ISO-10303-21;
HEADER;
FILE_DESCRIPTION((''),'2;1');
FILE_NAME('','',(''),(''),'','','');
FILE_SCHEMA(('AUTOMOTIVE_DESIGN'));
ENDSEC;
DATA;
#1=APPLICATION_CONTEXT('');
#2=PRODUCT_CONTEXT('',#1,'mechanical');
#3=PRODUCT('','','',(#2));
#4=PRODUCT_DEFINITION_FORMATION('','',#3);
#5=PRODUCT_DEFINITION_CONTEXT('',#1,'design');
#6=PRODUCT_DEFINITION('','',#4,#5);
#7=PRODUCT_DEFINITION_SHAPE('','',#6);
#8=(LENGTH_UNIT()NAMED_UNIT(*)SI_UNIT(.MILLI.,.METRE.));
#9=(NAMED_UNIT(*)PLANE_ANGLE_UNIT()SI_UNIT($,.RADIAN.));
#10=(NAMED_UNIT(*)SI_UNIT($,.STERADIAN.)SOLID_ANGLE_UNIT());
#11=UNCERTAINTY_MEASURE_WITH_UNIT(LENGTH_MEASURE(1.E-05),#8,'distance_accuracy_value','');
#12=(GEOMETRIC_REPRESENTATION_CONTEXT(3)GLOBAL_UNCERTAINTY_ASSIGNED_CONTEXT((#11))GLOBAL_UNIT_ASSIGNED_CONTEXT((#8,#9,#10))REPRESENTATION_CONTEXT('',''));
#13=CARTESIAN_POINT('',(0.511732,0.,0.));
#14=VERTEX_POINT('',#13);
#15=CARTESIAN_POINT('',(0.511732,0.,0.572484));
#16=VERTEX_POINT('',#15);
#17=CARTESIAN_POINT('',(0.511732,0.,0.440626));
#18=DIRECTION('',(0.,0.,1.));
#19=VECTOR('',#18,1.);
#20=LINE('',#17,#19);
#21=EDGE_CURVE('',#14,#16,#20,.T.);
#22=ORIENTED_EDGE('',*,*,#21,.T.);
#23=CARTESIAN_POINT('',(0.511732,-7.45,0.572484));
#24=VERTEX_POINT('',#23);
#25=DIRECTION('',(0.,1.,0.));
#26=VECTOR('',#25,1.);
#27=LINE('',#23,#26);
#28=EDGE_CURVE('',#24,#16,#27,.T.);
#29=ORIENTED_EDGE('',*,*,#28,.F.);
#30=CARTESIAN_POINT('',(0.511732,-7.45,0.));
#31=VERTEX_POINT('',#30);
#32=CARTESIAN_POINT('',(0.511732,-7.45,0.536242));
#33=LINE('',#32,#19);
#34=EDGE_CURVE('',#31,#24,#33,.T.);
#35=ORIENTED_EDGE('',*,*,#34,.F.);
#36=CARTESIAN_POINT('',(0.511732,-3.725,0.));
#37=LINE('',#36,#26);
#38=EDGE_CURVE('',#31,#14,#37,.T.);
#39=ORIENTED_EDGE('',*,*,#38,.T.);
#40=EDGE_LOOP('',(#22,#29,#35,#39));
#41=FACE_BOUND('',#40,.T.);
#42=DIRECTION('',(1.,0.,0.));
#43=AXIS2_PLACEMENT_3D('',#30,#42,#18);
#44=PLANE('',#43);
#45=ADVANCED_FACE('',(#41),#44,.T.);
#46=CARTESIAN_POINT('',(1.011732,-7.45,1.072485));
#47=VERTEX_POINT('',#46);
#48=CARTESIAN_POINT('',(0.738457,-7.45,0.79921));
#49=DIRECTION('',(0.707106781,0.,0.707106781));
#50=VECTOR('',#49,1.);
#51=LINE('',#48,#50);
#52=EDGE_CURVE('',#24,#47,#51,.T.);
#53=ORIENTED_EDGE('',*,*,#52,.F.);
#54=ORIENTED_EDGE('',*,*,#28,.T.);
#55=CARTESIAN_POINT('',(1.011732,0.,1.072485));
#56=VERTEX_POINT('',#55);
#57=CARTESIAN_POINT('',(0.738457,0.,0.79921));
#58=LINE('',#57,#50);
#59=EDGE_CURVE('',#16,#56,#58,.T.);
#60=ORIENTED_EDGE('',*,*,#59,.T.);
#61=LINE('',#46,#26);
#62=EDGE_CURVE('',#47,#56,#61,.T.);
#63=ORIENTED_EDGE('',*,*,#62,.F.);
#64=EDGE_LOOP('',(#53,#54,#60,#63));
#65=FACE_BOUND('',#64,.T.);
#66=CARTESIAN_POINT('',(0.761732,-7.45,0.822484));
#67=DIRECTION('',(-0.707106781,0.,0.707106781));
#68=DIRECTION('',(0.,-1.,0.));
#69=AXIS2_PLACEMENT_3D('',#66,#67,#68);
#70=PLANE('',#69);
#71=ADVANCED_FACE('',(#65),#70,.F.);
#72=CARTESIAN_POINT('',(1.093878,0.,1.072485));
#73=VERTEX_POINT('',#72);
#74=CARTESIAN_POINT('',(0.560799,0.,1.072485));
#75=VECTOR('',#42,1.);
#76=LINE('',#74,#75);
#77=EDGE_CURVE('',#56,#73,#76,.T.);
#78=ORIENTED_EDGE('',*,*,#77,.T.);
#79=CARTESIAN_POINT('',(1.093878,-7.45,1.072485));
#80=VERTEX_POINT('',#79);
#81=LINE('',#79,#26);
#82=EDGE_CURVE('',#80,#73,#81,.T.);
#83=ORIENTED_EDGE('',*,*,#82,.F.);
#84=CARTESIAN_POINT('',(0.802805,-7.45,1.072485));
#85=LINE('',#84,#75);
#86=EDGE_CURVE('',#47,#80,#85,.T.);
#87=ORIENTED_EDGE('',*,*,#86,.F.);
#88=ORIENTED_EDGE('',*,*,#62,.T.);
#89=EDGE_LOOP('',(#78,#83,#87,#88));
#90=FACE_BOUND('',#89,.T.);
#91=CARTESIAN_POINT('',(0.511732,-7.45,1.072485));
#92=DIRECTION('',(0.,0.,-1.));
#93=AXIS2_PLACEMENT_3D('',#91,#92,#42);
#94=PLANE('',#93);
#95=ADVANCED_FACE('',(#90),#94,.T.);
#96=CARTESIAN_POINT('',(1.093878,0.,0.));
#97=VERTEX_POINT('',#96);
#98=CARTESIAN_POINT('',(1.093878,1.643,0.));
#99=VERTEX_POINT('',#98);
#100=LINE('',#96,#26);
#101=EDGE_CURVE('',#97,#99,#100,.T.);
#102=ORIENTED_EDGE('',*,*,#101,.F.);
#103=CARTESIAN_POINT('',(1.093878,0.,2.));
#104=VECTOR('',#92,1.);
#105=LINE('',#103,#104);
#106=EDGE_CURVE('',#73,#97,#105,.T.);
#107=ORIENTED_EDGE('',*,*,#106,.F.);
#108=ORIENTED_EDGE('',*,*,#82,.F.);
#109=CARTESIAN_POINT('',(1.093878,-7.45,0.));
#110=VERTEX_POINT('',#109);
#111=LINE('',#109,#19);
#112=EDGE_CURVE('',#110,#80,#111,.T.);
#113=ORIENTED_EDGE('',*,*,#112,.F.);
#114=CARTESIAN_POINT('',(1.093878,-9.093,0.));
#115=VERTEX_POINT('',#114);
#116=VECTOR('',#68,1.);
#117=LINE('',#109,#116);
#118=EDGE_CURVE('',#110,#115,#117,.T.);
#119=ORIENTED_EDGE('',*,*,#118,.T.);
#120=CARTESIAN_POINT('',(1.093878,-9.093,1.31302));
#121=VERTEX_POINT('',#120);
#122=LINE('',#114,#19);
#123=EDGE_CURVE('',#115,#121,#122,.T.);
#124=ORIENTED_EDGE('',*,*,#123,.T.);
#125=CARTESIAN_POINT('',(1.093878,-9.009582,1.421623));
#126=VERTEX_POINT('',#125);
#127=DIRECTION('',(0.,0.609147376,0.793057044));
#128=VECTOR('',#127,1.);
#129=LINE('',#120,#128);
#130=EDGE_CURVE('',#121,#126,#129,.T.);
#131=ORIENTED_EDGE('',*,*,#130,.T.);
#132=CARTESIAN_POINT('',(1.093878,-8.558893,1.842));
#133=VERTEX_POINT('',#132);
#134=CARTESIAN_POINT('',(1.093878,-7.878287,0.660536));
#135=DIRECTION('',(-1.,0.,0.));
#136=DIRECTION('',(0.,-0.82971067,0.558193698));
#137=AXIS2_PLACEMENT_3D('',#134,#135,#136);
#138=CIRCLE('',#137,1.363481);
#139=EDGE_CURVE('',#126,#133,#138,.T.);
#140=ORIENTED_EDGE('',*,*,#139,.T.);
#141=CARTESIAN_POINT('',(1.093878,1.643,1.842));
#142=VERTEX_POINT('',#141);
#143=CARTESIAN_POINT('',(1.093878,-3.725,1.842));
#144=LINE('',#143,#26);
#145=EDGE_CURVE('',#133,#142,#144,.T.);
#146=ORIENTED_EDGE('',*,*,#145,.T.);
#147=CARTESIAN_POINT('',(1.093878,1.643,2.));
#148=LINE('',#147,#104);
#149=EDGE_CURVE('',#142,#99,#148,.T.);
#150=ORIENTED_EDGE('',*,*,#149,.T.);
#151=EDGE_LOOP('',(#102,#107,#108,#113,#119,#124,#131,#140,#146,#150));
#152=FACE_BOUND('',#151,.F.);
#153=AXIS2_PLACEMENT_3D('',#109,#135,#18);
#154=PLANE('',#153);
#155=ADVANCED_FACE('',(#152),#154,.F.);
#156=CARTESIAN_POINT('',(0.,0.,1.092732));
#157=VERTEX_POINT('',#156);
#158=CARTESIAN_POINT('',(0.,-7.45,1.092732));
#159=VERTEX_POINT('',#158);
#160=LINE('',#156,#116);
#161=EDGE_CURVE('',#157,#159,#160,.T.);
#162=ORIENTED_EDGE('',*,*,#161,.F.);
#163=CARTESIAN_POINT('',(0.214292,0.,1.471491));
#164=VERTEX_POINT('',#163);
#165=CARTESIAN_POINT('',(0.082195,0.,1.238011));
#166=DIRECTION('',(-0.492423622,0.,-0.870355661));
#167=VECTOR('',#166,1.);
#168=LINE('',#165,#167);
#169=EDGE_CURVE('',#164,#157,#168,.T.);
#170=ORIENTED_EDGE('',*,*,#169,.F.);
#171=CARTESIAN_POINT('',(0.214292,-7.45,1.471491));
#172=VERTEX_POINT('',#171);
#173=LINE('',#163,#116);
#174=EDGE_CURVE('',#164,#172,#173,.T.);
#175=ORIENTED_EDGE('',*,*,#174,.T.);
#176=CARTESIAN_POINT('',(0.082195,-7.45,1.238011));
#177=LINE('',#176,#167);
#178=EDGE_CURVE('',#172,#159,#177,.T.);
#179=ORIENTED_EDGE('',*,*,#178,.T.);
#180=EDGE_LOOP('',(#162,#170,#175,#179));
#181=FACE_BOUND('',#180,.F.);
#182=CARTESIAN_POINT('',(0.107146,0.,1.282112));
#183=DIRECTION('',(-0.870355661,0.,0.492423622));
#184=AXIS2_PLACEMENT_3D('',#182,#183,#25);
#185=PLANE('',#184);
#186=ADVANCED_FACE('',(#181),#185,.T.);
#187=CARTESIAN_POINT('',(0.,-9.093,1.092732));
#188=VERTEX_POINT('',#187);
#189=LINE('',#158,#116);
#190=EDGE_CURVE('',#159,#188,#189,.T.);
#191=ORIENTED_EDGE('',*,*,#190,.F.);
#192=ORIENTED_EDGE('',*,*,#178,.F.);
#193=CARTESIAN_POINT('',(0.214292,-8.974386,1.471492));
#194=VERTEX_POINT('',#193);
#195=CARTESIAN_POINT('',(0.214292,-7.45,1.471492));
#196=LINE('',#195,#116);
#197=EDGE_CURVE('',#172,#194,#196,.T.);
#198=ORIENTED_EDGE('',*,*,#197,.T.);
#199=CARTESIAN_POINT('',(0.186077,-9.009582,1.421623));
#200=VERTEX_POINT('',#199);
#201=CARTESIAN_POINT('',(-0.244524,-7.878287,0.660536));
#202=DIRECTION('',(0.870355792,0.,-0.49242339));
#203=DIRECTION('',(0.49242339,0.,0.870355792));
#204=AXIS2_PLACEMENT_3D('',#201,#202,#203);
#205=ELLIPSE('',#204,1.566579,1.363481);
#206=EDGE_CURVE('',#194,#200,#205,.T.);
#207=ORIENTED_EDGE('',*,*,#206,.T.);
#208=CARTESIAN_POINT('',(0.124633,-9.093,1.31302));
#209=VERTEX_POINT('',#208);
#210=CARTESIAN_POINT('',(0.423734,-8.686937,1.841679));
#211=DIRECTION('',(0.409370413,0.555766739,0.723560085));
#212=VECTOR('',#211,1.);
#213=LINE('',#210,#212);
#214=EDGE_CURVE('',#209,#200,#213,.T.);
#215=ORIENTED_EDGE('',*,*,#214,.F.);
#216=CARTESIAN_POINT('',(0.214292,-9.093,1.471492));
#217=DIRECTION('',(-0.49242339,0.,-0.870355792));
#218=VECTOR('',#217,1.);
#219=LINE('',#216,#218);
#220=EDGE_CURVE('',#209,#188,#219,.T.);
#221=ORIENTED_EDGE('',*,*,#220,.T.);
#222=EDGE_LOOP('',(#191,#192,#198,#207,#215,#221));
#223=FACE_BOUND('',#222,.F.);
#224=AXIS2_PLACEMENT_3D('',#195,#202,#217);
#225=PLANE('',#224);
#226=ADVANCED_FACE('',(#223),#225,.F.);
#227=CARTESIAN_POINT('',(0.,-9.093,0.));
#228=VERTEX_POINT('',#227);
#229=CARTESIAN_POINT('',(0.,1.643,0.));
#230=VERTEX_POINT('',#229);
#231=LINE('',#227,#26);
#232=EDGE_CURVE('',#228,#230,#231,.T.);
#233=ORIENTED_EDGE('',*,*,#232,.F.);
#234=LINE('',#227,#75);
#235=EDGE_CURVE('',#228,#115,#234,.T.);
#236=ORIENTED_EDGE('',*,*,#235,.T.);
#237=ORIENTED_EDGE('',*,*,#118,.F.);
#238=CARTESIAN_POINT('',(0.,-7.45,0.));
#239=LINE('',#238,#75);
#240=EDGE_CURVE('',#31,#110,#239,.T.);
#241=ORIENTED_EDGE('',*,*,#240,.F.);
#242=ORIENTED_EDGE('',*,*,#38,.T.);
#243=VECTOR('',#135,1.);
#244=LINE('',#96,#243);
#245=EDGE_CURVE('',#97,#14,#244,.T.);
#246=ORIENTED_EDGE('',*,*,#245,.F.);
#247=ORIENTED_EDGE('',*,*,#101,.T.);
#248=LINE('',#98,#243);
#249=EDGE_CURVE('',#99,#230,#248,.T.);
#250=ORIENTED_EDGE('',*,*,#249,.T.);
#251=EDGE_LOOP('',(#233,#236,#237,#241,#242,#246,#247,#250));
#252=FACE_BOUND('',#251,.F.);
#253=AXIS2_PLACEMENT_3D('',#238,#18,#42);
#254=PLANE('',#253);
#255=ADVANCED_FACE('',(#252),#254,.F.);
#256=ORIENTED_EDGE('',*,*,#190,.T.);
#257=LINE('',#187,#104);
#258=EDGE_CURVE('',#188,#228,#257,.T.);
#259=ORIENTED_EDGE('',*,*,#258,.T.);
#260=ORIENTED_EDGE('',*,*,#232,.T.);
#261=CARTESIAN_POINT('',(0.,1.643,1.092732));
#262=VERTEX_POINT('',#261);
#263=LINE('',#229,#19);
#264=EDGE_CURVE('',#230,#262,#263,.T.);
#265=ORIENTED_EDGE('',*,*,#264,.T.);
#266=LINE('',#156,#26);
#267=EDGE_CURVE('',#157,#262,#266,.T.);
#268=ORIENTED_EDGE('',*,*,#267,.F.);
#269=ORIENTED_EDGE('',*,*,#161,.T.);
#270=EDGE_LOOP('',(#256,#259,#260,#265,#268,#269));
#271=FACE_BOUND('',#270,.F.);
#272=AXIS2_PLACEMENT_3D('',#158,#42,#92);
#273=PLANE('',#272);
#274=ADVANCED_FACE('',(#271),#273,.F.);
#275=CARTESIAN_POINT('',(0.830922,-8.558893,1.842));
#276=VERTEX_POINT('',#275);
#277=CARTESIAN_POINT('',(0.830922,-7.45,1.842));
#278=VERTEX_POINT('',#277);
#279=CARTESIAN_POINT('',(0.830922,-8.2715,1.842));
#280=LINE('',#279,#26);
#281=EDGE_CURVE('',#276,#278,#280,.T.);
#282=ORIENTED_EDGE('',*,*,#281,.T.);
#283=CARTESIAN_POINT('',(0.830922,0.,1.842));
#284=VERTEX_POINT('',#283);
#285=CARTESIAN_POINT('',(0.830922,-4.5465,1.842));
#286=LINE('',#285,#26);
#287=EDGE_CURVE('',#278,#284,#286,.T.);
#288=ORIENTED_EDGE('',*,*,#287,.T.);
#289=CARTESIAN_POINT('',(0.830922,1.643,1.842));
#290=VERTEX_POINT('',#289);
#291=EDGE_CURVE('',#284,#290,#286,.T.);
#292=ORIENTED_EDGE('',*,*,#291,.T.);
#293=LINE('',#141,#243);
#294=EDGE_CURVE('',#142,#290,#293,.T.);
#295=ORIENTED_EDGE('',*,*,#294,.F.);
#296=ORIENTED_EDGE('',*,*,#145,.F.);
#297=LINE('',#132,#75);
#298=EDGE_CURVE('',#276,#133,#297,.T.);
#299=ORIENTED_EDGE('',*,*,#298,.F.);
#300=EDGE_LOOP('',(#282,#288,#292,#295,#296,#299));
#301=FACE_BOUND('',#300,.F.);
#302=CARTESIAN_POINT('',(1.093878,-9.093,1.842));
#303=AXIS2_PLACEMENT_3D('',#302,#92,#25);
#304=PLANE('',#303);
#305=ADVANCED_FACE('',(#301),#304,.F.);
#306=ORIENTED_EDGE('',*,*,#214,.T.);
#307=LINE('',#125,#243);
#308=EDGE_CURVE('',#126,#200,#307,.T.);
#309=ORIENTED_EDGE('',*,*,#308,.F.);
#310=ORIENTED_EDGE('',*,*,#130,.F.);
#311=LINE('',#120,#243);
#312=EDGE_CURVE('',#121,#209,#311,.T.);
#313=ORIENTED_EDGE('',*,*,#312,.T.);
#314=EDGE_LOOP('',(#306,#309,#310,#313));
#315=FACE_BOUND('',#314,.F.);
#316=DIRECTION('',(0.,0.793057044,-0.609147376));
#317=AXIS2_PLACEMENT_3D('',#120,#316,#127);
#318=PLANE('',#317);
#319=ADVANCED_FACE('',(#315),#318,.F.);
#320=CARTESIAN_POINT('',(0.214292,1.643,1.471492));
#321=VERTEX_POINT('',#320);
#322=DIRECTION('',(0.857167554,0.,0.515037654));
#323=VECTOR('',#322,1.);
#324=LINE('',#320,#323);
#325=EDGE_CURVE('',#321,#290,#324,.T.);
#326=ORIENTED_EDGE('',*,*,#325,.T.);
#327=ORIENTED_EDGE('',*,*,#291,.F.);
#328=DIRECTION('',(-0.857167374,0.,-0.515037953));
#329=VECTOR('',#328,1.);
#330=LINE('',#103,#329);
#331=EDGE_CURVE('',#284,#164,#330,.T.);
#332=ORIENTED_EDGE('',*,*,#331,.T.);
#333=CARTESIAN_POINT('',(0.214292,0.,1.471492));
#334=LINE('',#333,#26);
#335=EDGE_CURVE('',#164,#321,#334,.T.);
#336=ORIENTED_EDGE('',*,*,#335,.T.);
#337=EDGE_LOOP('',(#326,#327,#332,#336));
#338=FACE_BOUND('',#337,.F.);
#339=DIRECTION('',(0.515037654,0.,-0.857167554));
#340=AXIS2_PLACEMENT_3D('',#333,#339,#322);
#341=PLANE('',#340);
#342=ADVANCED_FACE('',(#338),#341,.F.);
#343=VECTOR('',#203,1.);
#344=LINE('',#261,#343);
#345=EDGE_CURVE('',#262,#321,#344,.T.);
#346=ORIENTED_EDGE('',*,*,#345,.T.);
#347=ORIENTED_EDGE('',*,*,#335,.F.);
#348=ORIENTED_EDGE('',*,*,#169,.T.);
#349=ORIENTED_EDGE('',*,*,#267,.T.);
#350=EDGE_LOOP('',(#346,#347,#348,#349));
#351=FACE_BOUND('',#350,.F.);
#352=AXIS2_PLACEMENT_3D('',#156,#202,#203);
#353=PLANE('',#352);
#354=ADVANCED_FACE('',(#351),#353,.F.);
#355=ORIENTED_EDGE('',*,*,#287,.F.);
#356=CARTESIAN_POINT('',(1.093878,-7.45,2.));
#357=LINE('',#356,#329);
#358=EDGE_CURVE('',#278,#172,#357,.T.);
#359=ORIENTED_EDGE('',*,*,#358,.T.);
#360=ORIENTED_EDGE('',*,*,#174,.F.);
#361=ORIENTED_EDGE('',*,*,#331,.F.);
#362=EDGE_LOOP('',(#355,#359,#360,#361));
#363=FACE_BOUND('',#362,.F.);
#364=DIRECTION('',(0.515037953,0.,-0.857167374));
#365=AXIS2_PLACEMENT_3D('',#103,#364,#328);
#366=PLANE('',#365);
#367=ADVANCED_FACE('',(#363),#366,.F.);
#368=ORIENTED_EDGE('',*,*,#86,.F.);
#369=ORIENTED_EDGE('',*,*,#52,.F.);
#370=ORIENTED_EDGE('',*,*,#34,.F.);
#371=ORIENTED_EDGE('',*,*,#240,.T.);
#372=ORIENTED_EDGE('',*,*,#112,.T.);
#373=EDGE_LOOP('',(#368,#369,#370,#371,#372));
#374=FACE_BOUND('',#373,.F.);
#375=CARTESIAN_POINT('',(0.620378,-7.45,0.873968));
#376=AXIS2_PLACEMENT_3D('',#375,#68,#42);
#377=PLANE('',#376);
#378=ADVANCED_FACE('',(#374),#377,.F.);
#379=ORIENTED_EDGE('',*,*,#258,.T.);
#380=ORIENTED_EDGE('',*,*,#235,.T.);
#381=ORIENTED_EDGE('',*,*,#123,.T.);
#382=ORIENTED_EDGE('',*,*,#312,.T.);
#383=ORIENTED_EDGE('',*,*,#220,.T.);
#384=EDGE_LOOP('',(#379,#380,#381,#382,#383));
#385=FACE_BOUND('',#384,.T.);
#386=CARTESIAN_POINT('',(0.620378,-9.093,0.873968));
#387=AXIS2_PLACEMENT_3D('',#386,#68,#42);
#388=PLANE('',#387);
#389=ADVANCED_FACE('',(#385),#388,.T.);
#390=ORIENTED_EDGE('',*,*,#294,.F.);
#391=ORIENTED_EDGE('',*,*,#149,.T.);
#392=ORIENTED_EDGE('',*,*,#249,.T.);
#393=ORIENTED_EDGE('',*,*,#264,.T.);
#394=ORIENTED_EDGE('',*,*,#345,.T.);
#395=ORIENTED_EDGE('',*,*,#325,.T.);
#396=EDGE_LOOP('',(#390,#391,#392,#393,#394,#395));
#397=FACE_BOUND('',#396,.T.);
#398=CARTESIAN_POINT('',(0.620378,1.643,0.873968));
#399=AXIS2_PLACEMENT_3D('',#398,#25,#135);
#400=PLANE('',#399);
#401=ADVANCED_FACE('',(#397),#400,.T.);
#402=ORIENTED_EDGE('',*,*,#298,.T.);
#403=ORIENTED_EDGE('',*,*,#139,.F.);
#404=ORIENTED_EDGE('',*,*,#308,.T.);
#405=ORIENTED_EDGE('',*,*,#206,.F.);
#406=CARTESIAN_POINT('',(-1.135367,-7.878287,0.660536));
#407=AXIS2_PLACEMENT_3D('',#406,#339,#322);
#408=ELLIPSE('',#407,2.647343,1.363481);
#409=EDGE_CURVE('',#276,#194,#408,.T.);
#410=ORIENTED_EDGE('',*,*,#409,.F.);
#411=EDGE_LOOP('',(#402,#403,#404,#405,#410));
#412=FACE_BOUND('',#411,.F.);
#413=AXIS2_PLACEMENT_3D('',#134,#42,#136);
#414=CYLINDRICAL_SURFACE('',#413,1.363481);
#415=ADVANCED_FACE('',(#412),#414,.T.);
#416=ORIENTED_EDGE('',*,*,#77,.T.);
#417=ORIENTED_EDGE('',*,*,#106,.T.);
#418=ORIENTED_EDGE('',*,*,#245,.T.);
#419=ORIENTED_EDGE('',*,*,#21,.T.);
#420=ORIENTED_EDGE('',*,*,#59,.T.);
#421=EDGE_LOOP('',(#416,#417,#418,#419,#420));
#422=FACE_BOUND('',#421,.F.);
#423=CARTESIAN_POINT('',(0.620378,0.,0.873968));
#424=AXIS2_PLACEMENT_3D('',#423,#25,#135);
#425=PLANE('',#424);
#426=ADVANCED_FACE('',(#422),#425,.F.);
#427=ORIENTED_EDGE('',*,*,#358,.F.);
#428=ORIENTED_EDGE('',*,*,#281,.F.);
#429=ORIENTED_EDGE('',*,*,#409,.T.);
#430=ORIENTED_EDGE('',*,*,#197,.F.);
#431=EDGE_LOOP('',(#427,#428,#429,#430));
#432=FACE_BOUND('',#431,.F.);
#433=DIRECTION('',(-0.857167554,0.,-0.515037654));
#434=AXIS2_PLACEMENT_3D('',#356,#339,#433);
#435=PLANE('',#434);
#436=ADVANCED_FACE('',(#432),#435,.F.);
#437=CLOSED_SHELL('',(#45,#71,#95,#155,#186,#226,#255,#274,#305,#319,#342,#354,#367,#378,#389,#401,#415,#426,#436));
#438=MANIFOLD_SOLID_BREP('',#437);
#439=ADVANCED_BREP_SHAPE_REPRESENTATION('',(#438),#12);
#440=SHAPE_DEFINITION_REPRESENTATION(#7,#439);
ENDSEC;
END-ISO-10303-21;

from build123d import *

# Parameters (mm, degrees)
F1_DEPTH  = 7.45
F2_W      = 0.582146
F2_H      = 1.072485
F3_DEPTH  = 7.451
F4_SIZE   = 0.5
F5_SIZE   = 0.25
F7_DEPTH  = 1.643
F9_DEPTH  = 1.643
F11_W     = 10.736
F11_H     = 0.158
F12_DEPTH = 1.094878
F13_DEPTH = 1.094878


with BuildPart() as f1:
    # F0 (on Front) → F1 (new body)
    with BuildSketch(Plane.XZ):
        Polygon((0, 1.342732), (0, 0), (1.093878, 0), (1.093878, 1.085751), (1.093878, 2), align=None)
    extrude(amount=F1_DEPTH)

    # F2 (on face) → F3 (cut, through all)
    with BuildSketch(Plane.XZ.offset(7.45)):
        with Locations((0.802805, 0.536242)):
            Rectangle(F2_W, F2_H)
    extrude(amount=-F3_DEPTH, mode=Mode.SUBTRACT)

    # F4
    f4_edges = [f1.edges().sort_by_distance(p)[0] for p in [
        (0.511732, -3.725, 1.072485),
    ]]
    chamfer(f4_edges, length=F4_SIZE)

    # F5
    f5_edges = [f1.edges().sort_by_distance(p)[0] for p in [
        (0, -3.725, 1.342732),
    ]]
    chamfer(f5_edges, length=F5_SIZE)

    # F6 (on face) → F7 (join)
    with BuildSketch(Plane(origin=(0, 0, 0), x_dir=(-1, 0, 0), z_dir=(0, 1, 0))):
        Polygon((-0.214292, 1.471492), (-1.093878, 2), (-1.093878, 0), (0, 0), (0, 1.092732), align=None)
    extrude(amount=F7_DEPTH)

    # F8 (on face) → F9 (join)
    with BuildSketch(Plane.XZ.offset(7.45)):
        Polygon((1.093878, 0), (1.093878, 2), (0.214292, 1.471492), (0, 1.092732), (0, 0), align=None)
    extrude(amount=F9_DEPTH)

    # F11 (on face) → F12 (cut, through all)
    with BuildSketch(Plane.YZ.offset(1.093878)):
        with Locations((-3.725, 1.921)):
            Rectangle(F11_W, F11_H)
    extrude(amount=-F12_DEPTH, mode=Mode.SUBTRACT)

    # F10 (on face) → F13 (cut, through all)
    with BuildSketch(Plane.YZ.offset(1.093878)):
        with BuildLine():
            Line((-9.093, 2), (-9.093, 1.31302))
            Line((-9.093, 1.31302), (-9.009582, 1.421623))
            ThreePointArc((-9.009582, 1.421623), (-8.629245, 1.79858), (-8.133078, 2))
            Line((-8.133078, 2), (-9.093, 2))
        make_face()
        with BuildLine():
            ThreePointArc((-7.6235, 2), (-7.878289, 2.024017), (-8.133078, 2))
            Line((-8.133078, 2), (-7.6235, 2))
        make_face()
    extrude(amount=-F13_DEPTH, mode=Mode.SUBTRACT)


solid = f1.part
